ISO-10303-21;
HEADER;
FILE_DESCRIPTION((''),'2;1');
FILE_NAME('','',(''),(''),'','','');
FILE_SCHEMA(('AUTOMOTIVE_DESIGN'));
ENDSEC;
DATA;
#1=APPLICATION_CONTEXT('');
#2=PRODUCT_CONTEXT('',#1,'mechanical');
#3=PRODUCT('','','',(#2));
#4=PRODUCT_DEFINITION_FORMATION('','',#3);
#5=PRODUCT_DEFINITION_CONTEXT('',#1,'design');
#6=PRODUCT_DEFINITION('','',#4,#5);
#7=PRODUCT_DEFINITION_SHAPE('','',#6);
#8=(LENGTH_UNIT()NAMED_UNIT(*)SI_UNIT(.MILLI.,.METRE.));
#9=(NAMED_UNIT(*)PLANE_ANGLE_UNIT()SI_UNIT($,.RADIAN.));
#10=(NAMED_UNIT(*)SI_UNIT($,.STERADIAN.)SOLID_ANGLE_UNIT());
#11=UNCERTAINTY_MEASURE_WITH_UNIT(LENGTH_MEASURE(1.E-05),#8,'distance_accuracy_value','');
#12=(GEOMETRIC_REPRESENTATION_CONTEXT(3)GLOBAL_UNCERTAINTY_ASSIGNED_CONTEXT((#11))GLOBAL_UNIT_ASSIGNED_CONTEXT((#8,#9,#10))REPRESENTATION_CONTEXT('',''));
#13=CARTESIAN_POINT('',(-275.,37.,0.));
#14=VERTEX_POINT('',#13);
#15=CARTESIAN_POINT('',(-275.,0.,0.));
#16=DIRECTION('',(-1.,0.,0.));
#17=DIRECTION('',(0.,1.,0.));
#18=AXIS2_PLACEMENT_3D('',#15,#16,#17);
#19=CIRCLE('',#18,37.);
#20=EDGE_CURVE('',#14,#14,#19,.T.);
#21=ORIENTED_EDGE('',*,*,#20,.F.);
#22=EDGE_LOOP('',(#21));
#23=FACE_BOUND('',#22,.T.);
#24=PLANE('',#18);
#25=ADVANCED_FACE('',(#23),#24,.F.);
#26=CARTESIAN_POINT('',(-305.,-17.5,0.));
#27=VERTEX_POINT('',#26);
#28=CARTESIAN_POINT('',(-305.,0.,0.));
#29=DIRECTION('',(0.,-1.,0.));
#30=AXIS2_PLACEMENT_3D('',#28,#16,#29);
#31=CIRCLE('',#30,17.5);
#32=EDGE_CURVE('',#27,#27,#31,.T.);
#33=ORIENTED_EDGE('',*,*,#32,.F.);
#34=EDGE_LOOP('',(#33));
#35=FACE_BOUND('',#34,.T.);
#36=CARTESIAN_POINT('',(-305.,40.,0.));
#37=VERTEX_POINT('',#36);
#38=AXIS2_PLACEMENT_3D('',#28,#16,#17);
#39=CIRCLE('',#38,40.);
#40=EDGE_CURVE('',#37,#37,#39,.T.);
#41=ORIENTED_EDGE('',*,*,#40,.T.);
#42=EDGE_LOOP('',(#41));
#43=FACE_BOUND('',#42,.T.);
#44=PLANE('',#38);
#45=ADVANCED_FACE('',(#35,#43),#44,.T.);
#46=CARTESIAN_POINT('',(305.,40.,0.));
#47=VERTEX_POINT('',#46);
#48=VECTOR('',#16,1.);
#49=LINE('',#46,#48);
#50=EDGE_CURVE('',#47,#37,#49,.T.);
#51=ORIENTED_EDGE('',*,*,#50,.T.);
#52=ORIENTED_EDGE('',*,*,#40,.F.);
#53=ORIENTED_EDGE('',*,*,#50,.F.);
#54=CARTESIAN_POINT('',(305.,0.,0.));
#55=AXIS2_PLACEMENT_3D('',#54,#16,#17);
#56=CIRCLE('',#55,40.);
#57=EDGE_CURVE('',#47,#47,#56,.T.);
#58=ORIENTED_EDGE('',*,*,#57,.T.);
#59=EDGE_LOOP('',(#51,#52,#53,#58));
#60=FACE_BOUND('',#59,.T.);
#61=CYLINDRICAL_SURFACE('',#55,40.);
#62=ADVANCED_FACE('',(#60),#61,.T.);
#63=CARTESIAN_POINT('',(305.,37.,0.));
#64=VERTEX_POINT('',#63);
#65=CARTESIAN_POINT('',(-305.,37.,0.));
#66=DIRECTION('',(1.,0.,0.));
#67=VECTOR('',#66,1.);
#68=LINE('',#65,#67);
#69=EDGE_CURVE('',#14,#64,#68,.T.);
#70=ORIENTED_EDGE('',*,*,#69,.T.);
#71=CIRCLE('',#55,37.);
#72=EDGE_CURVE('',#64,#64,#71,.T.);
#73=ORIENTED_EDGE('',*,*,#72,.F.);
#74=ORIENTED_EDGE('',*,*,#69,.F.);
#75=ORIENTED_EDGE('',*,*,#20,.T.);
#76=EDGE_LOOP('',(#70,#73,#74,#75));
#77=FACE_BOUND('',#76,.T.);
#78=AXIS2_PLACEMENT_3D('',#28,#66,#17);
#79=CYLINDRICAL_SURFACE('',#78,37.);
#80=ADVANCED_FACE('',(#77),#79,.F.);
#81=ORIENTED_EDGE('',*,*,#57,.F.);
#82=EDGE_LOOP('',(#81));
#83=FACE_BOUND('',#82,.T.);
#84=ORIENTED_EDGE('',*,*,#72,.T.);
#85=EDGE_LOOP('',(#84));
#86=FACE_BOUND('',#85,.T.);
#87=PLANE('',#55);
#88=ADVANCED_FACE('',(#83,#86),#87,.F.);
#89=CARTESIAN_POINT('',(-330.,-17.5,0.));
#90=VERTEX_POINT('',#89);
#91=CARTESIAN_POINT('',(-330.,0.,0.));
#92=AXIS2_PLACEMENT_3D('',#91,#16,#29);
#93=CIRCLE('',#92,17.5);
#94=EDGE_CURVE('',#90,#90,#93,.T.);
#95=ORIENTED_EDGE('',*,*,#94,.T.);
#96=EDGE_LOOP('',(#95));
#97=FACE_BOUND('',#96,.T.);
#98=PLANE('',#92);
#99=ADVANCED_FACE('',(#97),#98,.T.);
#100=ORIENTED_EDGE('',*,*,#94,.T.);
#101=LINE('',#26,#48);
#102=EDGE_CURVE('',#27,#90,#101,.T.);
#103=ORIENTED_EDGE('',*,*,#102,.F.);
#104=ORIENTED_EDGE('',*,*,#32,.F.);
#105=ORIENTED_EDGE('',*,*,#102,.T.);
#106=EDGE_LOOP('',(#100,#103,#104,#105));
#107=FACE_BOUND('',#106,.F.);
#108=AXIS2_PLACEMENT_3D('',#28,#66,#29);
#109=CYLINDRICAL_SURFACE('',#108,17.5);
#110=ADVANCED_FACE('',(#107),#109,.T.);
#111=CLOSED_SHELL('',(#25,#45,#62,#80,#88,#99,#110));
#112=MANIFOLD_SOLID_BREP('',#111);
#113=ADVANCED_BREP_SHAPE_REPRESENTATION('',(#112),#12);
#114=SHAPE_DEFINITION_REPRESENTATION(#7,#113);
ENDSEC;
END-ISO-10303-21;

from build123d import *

# Parameters (mm, degrees)
F0_W     = 30
F0_H     = 37
F2_R     = 17.5
F3_DEPTH = 25


with BuildPart() as f1:
    # F0 (on Top) → F1 (revolve)
    with BuildSketch(Plane.XY):
        Polygon((305, 40), (-305, 40), (-305, 37), (-275, 37), (305, 37), align=None)
        with Locations((-290, 18.5)):
            Rectangle(F0_W, F0_H)
    revolve(axis=Axis((-46.437122, 0, 0), (-1, 0, 0)))

    # F2 (on face) → F3 (join)
    with BuildSketch(Plane(origin=(-305, 0, 0), x_dir=(0, -1, 0), z_dir=(-1, 0, 0))):
        Circle(F2_R)
    extrude(amount=F3_DEPTH)


solid = f1.part
